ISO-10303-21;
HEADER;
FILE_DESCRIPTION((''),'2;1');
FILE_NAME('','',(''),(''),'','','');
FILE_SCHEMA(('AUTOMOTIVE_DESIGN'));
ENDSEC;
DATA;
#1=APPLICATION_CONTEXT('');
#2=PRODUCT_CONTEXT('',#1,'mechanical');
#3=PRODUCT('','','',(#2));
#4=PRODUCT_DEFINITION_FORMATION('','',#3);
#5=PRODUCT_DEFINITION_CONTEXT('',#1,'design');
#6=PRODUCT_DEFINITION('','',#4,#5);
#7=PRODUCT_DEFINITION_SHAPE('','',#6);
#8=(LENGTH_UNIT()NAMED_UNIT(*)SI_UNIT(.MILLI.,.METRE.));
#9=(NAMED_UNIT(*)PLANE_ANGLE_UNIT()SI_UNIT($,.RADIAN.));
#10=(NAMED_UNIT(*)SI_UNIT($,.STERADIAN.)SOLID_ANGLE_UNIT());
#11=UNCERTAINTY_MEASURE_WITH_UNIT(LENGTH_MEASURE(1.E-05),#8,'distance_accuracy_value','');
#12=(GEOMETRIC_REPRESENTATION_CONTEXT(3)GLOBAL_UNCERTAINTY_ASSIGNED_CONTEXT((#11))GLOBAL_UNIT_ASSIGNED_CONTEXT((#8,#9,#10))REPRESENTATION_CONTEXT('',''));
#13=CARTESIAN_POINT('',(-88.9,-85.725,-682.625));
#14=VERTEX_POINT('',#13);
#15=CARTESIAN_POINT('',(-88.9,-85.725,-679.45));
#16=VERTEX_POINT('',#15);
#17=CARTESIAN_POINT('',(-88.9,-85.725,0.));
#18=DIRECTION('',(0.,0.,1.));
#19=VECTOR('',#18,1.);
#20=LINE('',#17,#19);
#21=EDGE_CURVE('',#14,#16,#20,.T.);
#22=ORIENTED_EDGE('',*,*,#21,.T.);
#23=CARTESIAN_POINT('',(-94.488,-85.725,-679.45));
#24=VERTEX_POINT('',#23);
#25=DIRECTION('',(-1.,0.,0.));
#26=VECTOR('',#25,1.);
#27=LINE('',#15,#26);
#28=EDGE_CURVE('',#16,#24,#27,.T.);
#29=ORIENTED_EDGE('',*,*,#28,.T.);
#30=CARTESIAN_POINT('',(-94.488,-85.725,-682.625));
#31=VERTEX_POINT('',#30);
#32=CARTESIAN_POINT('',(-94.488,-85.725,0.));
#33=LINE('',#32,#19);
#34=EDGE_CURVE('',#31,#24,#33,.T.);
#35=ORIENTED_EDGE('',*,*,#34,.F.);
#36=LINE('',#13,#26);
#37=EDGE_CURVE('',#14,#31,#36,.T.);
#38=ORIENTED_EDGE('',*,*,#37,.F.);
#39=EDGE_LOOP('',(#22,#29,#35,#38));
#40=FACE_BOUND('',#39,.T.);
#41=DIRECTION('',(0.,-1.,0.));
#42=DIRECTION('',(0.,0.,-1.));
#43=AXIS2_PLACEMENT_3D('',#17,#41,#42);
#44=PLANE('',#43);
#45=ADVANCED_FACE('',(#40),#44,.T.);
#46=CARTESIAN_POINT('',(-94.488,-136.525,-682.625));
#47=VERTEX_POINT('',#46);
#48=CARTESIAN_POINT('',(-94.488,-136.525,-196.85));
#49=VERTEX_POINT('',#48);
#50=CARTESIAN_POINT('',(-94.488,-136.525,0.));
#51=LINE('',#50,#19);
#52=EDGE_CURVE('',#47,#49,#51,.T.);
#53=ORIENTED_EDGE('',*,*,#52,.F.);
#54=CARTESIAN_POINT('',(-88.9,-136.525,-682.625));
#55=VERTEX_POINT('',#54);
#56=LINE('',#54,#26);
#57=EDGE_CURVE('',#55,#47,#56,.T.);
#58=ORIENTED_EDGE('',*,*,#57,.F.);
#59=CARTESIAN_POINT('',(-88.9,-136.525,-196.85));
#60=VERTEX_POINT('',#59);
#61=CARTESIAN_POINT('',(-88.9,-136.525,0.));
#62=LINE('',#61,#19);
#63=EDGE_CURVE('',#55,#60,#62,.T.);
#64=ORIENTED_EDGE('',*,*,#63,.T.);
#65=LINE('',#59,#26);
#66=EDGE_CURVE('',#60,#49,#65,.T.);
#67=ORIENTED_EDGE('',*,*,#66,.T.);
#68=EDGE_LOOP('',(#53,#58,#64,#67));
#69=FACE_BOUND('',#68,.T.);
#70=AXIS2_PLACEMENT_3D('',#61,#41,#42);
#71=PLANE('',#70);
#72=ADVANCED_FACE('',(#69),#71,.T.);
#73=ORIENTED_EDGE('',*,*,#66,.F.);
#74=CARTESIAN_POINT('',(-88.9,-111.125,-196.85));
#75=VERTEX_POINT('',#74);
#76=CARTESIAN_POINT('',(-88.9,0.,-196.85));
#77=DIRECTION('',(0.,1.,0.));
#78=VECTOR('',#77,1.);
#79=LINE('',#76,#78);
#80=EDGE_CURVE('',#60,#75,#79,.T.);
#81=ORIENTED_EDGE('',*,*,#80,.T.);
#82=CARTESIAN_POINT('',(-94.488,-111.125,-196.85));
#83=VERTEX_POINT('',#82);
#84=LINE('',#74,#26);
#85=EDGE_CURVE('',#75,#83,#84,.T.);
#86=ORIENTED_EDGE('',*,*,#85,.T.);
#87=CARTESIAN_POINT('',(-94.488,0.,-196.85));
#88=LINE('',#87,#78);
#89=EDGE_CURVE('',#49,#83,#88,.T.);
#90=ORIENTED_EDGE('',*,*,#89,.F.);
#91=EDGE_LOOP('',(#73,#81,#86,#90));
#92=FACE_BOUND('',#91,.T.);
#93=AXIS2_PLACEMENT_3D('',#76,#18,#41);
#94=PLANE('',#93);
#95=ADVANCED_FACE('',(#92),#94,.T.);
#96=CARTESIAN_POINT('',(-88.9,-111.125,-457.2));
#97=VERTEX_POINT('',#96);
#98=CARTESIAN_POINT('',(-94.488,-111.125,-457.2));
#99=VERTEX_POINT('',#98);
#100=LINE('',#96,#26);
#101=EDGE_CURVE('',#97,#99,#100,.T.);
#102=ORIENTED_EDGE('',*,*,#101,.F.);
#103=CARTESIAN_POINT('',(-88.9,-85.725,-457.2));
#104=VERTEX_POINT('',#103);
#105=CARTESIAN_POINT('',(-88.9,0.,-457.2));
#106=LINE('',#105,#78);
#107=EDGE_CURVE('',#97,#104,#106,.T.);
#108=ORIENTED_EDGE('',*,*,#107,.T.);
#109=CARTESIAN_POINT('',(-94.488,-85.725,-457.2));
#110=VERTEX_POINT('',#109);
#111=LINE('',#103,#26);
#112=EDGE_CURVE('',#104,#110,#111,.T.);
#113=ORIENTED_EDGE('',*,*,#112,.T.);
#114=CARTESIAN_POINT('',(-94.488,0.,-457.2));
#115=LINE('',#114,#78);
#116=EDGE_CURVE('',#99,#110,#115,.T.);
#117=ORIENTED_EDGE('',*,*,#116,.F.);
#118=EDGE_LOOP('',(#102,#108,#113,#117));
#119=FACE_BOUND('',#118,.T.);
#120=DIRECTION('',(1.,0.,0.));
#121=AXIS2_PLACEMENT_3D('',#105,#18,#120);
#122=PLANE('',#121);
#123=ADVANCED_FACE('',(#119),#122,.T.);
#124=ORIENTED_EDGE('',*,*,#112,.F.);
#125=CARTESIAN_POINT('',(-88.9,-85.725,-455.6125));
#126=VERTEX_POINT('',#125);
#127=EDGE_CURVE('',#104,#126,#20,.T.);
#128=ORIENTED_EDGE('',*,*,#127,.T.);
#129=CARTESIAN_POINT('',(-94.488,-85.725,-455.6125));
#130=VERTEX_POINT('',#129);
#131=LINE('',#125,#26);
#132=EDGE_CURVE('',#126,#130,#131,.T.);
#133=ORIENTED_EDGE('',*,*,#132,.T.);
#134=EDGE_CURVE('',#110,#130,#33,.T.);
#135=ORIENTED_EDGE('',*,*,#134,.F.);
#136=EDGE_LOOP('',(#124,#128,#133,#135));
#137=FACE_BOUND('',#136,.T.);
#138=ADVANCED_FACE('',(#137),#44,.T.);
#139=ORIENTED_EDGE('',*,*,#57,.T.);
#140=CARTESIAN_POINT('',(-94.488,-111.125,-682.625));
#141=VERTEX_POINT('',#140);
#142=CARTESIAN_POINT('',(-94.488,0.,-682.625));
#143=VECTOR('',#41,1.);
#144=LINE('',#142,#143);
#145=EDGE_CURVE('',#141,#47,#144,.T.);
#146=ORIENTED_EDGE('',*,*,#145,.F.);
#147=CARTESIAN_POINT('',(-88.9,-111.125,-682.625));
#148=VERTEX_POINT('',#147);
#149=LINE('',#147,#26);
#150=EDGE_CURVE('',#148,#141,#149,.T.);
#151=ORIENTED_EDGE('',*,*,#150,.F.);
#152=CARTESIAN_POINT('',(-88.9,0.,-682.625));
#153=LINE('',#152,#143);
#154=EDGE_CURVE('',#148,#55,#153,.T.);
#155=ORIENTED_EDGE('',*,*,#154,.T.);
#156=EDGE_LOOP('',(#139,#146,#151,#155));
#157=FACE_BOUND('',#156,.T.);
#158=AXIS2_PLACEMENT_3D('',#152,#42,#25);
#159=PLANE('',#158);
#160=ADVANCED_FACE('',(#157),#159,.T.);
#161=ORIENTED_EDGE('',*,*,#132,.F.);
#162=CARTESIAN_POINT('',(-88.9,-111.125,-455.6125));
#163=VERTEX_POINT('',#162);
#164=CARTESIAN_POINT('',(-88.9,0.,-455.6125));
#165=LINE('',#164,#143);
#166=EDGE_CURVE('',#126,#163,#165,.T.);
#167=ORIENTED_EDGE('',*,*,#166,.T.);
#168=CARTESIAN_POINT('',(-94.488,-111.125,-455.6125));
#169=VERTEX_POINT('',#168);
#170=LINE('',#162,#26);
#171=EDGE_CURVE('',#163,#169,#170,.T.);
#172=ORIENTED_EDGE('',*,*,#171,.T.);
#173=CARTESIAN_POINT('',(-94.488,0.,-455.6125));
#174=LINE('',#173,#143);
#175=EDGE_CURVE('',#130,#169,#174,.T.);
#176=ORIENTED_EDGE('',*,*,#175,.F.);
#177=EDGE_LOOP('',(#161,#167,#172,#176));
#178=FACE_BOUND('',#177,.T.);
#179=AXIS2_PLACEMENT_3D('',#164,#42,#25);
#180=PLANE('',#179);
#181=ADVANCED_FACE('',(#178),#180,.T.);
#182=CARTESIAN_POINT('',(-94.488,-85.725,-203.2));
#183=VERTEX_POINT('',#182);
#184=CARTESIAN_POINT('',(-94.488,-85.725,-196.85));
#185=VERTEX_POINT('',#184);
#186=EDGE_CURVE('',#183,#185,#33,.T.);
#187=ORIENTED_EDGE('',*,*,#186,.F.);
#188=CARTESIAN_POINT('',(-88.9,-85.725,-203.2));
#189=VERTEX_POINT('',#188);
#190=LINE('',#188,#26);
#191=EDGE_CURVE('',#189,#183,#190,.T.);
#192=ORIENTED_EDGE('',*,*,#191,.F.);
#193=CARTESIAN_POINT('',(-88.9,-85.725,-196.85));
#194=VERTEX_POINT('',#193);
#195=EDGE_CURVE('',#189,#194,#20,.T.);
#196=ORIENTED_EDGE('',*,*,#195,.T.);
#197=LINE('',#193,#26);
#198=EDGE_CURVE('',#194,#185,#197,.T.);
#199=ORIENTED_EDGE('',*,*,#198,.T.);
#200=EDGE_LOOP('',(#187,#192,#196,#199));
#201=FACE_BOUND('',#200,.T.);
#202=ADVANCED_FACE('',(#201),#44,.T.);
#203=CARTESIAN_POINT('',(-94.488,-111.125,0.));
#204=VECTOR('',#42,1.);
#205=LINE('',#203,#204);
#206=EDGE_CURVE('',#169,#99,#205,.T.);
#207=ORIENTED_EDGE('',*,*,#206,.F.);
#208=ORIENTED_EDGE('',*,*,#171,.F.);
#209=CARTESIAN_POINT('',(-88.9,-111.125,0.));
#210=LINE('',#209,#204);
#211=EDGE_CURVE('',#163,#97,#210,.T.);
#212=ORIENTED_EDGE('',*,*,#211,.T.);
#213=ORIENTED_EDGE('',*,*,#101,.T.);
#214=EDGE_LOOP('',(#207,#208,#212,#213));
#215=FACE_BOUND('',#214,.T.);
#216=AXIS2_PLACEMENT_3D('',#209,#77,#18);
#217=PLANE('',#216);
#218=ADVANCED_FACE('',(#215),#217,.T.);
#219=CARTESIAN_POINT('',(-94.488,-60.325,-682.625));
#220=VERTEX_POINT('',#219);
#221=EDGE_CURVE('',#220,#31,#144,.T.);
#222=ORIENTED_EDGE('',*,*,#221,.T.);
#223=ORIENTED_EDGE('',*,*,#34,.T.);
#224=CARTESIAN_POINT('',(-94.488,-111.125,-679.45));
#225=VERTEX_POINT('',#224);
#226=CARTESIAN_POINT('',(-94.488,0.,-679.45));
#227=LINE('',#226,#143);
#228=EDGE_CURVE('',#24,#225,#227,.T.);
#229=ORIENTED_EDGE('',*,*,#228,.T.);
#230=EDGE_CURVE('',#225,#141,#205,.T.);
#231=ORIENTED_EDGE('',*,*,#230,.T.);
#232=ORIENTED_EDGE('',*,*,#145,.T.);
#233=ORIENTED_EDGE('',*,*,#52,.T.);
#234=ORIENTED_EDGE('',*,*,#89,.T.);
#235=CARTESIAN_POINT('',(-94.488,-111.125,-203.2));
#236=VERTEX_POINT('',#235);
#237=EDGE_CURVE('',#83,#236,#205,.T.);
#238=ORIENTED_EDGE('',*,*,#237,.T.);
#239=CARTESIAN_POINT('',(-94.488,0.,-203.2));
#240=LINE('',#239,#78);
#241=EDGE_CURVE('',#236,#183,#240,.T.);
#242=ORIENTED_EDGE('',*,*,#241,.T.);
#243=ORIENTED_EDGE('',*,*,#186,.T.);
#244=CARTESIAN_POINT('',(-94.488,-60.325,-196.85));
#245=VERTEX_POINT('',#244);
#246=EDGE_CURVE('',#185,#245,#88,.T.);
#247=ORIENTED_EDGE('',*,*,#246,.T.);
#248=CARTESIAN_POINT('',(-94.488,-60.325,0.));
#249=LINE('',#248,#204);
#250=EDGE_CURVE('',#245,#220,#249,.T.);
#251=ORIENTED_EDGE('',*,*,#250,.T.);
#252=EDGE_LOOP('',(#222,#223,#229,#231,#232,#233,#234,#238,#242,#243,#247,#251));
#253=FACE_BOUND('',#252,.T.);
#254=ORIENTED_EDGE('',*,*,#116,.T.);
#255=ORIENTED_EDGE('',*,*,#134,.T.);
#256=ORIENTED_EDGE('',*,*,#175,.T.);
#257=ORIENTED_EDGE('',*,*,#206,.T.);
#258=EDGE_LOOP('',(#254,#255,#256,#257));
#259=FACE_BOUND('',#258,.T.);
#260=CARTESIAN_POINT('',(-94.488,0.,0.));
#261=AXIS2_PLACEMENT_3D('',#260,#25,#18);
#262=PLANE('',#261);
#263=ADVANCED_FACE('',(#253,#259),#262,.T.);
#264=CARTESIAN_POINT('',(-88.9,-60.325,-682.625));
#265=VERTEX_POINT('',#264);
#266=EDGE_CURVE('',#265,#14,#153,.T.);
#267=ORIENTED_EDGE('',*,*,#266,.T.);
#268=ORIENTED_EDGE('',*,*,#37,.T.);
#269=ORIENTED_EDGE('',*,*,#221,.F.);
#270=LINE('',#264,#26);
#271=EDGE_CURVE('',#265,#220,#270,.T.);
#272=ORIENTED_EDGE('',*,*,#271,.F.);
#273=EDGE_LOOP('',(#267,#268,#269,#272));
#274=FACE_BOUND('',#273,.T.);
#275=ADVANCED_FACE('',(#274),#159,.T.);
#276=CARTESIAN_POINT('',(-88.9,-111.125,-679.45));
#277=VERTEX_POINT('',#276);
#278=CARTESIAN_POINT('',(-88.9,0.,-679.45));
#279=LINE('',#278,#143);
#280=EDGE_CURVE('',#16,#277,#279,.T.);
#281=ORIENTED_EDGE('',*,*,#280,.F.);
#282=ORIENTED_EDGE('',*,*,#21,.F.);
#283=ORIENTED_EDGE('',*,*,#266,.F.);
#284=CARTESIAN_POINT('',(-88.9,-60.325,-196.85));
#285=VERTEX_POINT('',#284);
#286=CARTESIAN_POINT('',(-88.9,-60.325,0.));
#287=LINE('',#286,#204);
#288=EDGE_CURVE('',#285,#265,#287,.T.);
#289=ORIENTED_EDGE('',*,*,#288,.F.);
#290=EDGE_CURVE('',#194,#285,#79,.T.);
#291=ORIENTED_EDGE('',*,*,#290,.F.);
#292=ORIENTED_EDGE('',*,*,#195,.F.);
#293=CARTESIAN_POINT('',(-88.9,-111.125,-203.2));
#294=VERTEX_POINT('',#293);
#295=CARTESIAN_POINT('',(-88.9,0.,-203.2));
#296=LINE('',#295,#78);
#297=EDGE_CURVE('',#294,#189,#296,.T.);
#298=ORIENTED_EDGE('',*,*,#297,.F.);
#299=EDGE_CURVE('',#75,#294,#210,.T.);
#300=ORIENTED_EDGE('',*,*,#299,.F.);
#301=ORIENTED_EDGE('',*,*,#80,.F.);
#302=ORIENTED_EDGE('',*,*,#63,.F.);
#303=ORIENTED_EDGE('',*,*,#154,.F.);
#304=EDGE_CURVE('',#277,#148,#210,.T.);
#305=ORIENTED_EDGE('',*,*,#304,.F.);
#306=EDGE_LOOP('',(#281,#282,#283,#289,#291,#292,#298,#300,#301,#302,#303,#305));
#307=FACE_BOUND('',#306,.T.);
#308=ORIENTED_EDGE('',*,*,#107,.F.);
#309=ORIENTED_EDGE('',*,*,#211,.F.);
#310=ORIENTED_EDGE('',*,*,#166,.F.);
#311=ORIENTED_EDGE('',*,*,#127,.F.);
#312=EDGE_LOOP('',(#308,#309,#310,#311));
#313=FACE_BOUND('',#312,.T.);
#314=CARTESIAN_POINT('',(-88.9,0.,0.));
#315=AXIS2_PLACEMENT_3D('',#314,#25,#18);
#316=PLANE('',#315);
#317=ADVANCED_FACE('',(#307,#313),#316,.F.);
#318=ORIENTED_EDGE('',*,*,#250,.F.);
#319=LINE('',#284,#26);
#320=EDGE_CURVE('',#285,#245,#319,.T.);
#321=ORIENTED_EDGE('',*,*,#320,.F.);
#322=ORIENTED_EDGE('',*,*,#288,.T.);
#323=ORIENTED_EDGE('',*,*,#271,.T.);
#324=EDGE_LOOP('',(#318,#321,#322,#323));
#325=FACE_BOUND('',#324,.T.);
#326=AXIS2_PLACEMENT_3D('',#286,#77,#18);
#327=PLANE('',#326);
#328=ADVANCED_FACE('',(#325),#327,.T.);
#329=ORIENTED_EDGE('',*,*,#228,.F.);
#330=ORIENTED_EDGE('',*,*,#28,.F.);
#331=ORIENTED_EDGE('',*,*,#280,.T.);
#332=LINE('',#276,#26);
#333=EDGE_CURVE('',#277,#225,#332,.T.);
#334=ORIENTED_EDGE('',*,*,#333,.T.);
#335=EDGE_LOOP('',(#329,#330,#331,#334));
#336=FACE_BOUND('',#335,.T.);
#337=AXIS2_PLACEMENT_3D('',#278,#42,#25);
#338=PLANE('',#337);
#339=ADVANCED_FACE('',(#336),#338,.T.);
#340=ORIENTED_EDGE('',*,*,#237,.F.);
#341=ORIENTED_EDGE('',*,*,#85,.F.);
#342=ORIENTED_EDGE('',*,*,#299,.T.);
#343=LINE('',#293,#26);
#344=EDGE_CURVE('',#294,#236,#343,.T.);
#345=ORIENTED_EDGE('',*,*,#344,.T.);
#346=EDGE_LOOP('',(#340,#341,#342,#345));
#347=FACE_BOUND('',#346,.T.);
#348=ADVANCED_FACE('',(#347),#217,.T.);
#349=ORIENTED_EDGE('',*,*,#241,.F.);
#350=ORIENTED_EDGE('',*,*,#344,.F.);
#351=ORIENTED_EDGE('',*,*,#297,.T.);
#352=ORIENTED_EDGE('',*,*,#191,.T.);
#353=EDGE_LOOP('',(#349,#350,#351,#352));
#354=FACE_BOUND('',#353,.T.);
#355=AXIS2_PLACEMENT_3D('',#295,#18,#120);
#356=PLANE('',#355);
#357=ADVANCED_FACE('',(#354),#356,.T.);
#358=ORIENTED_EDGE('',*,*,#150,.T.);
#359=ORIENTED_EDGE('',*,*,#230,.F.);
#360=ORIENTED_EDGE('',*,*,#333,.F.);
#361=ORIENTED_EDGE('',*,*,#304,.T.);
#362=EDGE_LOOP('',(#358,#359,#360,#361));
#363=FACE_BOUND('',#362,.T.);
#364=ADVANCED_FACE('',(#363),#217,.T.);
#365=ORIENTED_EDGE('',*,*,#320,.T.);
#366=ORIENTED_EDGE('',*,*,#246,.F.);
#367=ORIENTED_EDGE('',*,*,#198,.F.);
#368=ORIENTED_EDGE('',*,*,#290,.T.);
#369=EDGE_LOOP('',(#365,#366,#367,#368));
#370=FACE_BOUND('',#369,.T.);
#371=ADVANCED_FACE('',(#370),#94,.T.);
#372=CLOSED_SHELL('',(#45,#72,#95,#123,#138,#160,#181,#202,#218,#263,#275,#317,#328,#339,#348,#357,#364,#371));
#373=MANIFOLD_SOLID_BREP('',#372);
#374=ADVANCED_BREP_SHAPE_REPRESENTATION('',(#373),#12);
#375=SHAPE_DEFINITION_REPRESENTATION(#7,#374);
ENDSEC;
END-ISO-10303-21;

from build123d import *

# Parameters (mm, degrees)
SKETCH1_W           = 25.4
SKETCH1_H           = 1.5875
BOSS_EXTRUDE1_DEPTH = 5.588
SKETCH2_W           = 545.634359946
SKETCH2_H           = 68.698432751
CUT_EXTRUDE1_DEPTH  = 7.62


with BuildPart() as part:
    # Sketch1 → Boss-Extrude1 (new body)
    # profile 1 of 3: a face of its own
    with BuildSketch(Plane(origin=(-94.488, 0, 0), x_dir=(0, -1, 0), z_dir=(-1, 0, 0))):
        Polygon((136.525, -196.85), (111.125, -196.85), (111.125, -203.2), (85.725, -203.2), (85.725, -196.85), (60.325, -196.85), (60.325, -682.625), (85.725, -682.625), (85.725, -679.45), (111.125, -679.45), (111.125, -682.625), (136.525, -682.625), align=None)
        with Locations((98.425, -456.40625)):
            Rectangle(SKETCH1_W, SKETCH1_H, mode=Mode.SUBTRACT)
    # profile 2 of 3: a face of its own
    with BuildSketch(Plane(origin=(-94.488, 0, 0), x_dir=(0, -1, 0), z_dir=(-1, 0, 0))):
        with BuildLine():
            Line((149.225, -203.2), (136.525, -203.2))
            Line((136.525, -203.2), (136.525, -290.406498707))
            ThreePointArc((136.525, -290.406498707), (137.30121982, -286.034603668), (139.534994681, -282.197126202))
            Line((139.534994681, -282.197126202), (184.118202659, -229.57294303))
            ThreePointArc((184.118202659, -229.57294303), (185.23509009, -227.654204297), (185.6232, -225.468256778))
            Line((185.6232, -225.468256778), (185.6232, -203.2))
            Line((185.6232, -203.2), (168.275, -203.2))
            Line((168.275, -203.2), (168.275, -196.85))
            Line((168.275, -196.85), (149.225, -196.85))
            Line((149.225, -196.85), (149.225, -203.2))
        make_face()
    # profile 3 of 3: a face of its own
    with BuildSketch(Plane(origin=(-94.488, 0, 0), x_dir=(0, -1, 0), z_dir=(-1, 0, 0))):
        with BuildLine():
            ThreePointArc((138.226477372, -606.197045256), (136.957742006, -603.134047129), (136.525, -599.847045256))
            Line((136.525, -599.847045256), (136.525, -679.45))
            Line((136.525, -679.45), (146.05, -679.45))
            Line((146.05, -679.45), (146.05, -684.2125))
            Line((146.05, -684.2125), (161.925, -684.2125))
            Line((161.925, -684.2125), (161.925, -679.45))
            Line((161.925, -679.45), (171.45, -679.45))
            Line((171.45, -679.45), (171.45, -665.443351826))
            ThreePointArc((171.45, -665.443351826), (171.233628997, -663.79985089), (170.599261314, -662.268351826))
            Line((170.599261314, -662.268351826), (138.226477372, -606.197045256))
        make_face()
    extrude(amount=-BOSS_EXTRUDE1_DEPTH)

    # Sketch2 → Cut-Extrude1 (cut)
    with BuildSketch(Plane(origin=(-88.9, 0, 0), x_dir=(0, 0, -1), z_dir=(1, 0, 0))):
        with Locations((441.133658402, -170.874216375)):
            Rectangle(SKETCH2_W, SKETCH2_H)
    extrude(amount=-CUT_EXTRUDE1_DEPTH, mode=Mode.SUBTRACT)


solid = part.part
